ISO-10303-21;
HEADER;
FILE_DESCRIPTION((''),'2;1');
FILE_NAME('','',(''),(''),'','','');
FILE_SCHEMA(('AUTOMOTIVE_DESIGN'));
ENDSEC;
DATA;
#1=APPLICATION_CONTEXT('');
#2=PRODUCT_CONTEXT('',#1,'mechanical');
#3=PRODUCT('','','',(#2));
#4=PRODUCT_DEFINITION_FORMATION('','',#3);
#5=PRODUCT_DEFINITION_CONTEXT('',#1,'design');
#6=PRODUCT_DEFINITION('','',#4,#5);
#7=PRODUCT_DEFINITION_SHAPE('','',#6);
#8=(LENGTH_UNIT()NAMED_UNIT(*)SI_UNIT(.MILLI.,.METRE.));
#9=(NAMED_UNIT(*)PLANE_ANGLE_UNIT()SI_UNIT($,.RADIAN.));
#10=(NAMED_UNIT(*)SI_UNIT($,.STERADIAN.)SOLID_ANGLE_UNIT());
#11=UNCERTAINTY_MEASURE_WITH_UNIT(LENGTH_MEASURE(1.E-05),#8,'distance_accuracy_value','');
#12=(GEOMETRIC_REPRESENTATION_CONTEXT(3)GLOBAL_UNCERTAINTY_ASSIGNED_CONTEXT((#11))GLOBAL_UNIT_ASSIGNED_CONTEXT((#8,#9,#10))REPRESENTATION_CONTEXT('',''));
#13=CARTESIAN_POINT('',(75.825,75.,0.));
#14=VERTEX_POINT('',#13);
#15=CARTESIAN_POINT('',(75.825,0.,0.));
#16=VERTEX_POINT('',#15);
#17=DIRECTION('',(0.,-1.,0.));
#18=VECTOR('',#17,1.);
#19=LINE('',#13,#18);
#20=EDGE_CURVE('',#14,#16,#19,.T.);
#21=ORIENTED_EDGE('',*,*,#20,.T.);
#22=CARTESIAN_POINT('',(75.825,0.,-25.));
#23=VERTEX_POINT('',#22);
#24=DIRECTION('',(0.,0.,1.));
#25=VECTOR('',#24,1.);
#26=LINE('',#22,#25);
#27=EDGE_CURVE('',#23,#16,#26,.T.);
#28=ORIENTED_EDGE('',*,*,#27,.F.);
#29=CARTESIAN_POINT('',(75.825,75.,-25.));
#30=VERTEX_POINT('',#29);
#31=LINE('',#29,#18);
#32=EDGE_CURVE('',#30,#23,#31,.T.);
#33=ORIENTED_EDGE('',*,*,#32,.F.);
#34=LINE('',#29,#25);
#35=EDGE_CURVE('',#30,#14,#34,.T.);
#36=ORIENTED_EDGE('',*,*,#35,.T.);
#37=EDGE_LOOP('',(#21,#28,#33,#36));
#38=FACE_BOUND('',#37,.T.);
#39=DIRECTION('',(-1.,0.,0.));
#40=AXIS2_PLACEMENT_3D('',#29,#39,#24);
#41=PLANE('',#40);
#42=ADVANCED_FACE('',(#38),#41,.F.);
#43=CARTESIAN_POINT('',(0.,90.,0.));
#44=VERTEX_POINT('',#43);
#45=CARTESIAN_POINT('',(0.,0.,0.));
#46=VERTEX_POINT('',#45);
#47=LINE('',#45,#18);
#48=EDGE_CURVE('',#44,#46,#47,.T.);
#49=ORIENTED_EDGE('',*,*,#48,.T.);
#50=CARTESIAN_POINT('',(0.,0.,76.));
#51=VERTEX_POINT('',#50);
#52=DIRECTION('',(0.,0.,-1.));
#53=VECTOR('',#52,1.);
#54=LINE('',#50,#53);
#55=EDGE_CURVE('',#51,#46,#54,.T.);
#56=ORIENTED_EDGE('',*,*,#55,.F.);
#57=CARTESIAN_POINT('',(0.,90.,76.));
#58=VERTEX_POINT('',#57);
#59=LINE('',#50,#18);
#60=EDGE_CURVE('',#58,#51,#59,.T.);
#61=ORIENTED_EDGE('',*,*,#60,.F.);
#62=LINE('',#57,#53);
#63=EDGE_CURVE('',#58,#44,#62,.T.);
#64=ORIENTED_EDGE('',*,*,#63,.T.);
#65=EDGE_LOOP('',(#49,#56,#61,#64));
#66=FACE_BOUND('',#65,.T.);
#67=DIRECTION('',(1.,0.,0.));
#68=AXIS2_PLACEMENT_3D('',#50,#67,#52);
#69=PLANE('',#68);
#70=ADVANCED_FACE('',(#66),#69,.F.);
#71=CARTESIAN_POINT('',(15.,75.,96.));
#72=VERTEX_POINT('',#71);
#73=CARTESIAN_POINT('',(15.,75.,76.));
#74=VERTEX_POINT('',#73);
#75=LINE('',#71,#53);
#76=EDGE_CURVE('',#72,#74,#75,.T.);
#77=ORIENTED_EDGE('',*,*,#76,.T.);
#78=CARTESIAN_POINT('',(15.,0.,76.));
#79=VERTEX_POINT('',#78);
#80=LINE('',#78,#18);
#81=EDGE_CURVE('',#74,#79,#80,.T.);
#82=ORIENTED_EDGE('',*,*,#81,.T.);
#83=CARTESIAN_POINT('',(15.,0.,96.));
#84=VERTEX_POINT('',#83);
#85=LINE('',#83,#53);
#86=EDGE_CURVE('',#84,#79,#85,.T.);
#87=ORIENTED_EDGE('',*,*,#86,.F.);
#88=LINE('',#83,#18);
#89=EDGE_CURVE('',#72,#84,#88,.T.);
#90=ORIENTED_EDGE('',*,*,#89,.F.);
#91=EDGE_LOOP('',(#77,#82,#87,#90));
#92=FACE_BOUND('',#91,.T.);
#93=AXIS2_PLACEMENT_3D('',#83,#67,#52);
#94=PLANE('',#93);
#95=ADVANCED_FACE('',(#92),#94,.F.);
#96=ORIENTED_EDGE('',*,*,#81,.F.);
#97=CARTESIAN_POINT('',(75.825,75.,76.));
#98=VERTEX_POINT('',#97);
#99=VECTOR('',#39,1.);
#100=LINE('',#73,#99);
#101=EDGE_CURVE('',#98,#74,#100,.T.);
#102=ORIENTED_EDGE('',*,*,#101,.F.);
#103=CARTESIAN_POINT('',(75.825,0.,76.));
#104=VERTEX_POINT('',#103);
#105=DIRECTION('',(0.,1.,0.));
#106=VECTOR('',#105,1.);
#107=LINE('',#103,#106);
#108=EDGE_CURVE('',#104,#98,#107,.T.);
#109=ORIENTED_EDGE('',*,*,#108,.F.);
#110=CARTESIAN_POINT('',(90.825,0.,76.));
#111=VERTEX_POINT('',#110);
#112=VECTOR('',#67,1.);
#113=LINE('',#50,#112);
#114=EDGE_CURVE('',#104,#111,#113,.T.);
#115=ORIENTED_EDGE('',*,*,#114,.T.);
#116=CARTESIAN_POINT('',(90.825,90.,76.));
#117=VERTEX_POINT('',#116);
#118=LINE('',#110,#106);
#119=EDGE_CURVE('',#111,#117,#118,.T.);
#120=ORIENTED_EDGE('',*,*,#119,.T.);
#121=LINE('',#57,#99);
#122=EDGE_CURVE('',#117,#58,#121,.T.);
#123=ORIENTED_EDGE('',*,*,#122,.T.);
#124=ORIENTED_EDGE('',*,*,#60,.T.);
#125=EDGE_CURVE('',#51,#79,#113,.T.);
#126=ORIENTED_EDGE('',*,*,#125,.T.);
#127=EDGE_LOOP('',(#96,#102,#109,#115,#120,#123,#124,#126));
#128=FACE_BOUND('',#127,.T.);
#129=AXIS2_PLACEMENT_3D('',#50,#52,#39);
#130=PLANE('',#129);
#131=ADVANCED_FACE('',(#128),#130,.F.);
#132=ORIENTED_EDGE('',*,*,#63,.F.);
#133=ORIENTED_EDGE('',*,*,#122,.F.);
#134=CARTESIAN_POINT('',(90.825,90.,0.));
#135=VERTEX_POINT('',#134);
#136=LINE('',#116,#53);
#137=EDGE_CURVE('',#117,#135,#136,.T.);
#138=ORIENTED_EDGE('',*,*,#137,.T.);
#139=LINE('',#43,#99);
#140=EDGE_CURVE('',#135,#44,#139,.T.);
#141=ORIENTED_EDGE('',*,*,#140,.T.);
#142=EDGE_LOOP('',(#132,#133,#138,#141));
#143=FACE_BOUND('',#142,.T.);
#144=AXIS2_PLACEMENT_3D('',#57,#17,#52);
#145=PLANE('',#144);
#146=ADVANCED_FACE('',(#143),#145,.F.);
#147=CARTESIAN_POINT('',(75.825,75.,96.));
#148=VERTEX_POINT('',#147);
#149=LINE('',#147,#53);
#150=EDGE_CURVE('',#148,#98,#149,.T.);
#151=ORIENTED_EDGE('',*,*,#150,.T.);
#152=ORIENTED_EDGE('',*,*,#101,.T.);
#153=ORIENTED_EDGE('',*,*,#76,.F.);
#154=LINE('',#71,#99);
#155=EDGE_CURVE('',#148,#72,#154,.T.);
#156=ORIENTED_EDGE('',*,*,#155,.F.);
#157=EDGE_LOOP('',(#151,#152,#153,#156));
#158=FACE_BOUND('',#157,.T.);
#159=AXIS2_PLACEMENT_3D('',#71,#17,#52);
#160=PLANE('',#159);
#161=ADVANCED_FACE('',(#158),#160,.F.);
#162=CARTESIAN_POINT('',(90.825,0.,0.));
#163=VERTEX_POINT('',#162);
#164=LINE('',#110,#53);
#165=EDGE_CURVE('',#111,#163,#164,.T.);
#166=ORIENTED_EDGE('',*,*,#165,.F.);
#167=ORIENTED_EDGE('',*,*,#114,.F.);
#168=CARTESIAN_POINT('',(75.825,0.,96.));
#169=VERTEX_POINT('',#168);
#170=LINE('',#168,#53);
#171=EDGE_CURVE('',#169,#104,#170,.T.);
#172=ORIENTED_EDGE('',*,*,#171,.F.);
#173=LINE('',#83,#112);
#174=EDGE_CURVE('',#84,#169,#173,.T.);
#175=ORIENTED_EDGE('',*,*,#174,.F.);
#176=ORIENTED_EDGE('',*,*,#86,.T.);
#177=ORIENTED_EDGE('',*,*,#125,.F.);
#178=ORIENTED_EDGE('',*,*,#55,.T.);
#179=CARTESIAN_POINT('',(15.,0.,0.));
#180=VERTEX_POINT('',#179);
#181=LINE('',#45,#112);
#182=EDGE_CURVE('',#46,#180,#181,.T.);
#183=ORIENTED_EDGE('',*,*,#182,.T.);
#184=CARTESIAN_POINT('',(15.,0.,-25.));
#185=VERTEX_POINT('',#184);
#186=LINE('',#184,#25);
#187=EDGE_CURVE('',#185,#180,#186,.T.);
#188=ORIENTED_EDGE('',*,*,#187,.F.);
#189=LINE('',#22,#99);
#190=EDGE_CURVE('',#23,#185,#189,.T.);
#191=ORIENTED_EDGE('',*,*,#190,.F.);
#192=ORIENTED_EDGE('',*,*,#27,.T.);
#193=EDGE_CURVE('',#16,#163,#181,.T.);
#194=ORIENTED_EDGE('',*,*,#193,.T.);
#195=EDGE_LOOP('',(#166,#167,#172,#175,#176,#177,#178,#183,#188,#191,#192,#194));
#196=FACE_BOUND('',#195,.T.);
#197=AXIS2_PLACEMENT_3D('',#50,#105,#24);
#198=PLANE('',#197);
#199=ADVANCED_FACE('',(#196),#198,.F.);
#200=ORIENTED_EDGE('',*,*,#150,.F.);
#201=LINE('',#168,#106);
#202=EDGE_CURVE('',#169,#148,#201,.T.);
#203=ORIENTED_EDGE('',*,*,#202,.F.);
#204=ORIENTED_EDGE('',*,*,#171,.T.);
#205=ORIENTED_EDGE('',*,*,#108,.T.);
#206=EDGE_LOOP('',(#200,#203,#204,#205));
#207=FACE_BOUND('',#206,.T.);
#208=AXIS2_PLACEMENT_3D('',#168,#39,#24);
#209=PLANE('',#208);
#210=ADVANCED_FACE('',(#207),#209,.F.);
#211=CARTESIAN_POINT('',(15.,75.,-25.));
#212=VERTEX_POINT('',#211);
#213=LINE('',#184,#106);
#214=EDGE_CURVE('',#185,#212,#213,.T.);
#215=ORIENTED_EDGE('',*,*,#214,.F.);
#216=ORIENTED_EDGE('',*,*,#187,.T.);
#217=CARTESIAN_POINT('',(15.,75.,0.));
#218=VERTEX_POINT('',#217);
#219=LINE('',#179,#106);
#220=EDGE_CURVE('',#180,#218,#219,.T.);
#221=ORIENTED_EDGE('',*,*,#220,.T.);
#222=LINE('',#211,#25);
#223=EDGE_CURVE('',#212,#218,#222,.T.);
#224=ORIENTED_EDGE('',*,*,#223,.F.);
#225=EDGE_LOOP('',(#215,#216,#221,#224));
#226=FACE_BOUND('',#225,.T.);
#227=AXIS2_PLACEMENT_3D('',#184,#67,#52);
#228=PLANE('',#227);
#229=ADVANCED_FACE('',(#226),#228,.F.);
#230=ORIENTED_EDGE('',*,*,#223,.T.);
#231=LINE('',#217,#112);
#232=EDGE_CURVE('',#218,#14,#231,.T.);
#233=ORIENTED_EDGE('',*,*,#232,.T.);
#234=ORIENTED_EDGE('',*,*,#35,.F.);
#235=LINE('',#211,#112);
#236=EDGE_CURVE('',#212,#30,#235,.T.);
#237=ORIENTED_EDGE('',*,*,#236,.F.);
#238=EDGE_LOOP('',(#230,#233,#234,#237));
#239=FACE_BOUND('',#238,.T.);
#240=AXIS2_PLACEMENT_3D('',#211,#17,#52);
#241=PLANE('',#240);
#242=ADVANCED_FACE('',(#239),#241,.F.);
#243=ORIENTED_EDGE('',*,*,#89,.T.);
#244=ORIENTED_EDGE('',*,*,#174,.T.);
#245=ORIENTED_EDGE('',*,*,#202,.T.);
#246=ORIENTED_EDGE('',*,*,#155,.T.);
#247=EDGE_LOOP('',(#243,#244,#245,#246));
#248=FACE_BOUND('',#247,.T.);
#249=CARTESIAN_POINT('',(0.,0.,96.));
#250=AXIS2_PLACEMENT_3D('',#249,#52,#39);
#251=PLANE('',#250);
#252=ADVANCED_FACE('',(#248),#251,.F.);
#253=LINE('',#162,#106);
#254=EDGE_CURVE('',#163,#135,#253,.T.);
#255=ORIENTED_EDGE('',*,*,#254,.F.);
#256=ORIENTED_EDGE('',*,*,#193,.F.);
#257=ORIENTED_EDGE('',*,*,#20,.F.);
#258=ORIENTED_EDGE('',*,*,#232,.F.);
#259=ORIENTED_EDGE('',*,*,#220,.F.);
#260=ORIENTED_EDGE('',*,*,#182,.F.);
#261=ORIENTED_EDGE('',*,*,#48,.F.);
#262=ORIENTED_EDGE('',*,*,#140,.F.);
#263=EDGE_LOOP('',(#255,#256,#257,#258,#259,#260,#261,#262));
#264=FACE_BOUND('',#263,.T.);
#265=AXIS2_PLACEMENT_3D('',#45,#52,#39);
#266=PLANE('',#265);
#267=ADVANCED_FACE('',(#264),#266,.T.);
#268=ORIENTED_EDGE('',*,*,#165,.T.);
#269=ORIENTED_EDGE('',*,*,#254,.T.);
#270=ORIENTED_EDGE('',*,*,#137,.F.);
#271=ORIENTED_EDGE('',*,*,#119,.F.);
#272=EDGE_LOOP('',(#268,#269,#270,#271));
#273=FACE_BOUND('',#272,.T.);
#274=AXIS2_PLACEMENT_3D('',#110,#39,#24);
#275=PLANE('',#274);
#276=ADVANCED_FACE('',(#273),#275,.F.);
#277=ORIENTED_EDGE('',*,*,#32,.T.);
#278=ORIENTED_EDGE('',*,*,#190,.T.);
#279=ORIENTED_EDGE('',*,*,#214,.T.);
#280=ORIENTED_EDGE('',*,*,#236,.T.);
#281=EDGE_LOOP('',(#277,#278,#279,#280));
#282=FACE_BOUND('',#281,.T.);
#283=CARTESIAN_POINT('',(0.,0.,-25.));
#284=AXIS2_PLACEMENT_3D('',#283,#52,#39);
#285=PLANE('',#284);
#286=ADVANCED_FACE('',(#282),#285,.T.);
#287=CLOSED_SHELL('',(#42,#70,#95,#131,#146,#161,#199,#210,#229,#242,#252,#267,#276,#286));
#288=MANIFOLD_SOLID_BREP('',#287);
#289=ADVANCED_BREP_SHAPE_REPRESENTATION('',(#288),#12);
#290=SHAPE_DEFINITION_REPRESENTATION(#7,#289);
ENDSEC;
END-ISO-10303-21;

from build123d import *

# Parameters (mm, degrees)
SKETCH1_W           = 90.825
SKETCH1_H           = 90
BOSS_EXTRUDE1_DEPTH = 76
SKETCH2_W           = 60.825
SKETCH2_H           = 75
BOSS_EXTRUDE2_DEPTH = 20
SKETCH3_W           = 60.825
SKETCH3_H           = 75
BOSS_EXTRUDE3_DEPTH = 25


with BuildPart() as part:
    # Sketch1 → Boss-Extrude1 (new body)
    with BuildSketch(Plane.XY):
        with Locations((45.4125, 45)):
            Rectangle(SKETCH1_W, SKETCH1_H)
    extrude(amount=BOSS_EXTRUDE1_DEPTH)

    # Sketch2 → Boss-Extrude2 (add)
    with BuildSketch(Plane.XY.offset(76)):
        with Locations((45.4125, 37.5)):
            Rectangle(SKETCH2_W, SKETCH2_H)
    extrude(amount=BOSS_EXTRUDE2_DEPTH)

    # Sketch3 → Boss-Extrude3 (add)
    with BuildSketch(Plane(origin=(0, 0, 0), x_dir=(-1, 0, 0), z_dir=(0, 0, -1))):
        with Locations((-45.4125, 37.5)):
            Rectangle(SKETCH3_W, SKETCH3_H)
    extrude(amount=BOSS_EXTRUDE3_DEPTH)


solid = part.part
